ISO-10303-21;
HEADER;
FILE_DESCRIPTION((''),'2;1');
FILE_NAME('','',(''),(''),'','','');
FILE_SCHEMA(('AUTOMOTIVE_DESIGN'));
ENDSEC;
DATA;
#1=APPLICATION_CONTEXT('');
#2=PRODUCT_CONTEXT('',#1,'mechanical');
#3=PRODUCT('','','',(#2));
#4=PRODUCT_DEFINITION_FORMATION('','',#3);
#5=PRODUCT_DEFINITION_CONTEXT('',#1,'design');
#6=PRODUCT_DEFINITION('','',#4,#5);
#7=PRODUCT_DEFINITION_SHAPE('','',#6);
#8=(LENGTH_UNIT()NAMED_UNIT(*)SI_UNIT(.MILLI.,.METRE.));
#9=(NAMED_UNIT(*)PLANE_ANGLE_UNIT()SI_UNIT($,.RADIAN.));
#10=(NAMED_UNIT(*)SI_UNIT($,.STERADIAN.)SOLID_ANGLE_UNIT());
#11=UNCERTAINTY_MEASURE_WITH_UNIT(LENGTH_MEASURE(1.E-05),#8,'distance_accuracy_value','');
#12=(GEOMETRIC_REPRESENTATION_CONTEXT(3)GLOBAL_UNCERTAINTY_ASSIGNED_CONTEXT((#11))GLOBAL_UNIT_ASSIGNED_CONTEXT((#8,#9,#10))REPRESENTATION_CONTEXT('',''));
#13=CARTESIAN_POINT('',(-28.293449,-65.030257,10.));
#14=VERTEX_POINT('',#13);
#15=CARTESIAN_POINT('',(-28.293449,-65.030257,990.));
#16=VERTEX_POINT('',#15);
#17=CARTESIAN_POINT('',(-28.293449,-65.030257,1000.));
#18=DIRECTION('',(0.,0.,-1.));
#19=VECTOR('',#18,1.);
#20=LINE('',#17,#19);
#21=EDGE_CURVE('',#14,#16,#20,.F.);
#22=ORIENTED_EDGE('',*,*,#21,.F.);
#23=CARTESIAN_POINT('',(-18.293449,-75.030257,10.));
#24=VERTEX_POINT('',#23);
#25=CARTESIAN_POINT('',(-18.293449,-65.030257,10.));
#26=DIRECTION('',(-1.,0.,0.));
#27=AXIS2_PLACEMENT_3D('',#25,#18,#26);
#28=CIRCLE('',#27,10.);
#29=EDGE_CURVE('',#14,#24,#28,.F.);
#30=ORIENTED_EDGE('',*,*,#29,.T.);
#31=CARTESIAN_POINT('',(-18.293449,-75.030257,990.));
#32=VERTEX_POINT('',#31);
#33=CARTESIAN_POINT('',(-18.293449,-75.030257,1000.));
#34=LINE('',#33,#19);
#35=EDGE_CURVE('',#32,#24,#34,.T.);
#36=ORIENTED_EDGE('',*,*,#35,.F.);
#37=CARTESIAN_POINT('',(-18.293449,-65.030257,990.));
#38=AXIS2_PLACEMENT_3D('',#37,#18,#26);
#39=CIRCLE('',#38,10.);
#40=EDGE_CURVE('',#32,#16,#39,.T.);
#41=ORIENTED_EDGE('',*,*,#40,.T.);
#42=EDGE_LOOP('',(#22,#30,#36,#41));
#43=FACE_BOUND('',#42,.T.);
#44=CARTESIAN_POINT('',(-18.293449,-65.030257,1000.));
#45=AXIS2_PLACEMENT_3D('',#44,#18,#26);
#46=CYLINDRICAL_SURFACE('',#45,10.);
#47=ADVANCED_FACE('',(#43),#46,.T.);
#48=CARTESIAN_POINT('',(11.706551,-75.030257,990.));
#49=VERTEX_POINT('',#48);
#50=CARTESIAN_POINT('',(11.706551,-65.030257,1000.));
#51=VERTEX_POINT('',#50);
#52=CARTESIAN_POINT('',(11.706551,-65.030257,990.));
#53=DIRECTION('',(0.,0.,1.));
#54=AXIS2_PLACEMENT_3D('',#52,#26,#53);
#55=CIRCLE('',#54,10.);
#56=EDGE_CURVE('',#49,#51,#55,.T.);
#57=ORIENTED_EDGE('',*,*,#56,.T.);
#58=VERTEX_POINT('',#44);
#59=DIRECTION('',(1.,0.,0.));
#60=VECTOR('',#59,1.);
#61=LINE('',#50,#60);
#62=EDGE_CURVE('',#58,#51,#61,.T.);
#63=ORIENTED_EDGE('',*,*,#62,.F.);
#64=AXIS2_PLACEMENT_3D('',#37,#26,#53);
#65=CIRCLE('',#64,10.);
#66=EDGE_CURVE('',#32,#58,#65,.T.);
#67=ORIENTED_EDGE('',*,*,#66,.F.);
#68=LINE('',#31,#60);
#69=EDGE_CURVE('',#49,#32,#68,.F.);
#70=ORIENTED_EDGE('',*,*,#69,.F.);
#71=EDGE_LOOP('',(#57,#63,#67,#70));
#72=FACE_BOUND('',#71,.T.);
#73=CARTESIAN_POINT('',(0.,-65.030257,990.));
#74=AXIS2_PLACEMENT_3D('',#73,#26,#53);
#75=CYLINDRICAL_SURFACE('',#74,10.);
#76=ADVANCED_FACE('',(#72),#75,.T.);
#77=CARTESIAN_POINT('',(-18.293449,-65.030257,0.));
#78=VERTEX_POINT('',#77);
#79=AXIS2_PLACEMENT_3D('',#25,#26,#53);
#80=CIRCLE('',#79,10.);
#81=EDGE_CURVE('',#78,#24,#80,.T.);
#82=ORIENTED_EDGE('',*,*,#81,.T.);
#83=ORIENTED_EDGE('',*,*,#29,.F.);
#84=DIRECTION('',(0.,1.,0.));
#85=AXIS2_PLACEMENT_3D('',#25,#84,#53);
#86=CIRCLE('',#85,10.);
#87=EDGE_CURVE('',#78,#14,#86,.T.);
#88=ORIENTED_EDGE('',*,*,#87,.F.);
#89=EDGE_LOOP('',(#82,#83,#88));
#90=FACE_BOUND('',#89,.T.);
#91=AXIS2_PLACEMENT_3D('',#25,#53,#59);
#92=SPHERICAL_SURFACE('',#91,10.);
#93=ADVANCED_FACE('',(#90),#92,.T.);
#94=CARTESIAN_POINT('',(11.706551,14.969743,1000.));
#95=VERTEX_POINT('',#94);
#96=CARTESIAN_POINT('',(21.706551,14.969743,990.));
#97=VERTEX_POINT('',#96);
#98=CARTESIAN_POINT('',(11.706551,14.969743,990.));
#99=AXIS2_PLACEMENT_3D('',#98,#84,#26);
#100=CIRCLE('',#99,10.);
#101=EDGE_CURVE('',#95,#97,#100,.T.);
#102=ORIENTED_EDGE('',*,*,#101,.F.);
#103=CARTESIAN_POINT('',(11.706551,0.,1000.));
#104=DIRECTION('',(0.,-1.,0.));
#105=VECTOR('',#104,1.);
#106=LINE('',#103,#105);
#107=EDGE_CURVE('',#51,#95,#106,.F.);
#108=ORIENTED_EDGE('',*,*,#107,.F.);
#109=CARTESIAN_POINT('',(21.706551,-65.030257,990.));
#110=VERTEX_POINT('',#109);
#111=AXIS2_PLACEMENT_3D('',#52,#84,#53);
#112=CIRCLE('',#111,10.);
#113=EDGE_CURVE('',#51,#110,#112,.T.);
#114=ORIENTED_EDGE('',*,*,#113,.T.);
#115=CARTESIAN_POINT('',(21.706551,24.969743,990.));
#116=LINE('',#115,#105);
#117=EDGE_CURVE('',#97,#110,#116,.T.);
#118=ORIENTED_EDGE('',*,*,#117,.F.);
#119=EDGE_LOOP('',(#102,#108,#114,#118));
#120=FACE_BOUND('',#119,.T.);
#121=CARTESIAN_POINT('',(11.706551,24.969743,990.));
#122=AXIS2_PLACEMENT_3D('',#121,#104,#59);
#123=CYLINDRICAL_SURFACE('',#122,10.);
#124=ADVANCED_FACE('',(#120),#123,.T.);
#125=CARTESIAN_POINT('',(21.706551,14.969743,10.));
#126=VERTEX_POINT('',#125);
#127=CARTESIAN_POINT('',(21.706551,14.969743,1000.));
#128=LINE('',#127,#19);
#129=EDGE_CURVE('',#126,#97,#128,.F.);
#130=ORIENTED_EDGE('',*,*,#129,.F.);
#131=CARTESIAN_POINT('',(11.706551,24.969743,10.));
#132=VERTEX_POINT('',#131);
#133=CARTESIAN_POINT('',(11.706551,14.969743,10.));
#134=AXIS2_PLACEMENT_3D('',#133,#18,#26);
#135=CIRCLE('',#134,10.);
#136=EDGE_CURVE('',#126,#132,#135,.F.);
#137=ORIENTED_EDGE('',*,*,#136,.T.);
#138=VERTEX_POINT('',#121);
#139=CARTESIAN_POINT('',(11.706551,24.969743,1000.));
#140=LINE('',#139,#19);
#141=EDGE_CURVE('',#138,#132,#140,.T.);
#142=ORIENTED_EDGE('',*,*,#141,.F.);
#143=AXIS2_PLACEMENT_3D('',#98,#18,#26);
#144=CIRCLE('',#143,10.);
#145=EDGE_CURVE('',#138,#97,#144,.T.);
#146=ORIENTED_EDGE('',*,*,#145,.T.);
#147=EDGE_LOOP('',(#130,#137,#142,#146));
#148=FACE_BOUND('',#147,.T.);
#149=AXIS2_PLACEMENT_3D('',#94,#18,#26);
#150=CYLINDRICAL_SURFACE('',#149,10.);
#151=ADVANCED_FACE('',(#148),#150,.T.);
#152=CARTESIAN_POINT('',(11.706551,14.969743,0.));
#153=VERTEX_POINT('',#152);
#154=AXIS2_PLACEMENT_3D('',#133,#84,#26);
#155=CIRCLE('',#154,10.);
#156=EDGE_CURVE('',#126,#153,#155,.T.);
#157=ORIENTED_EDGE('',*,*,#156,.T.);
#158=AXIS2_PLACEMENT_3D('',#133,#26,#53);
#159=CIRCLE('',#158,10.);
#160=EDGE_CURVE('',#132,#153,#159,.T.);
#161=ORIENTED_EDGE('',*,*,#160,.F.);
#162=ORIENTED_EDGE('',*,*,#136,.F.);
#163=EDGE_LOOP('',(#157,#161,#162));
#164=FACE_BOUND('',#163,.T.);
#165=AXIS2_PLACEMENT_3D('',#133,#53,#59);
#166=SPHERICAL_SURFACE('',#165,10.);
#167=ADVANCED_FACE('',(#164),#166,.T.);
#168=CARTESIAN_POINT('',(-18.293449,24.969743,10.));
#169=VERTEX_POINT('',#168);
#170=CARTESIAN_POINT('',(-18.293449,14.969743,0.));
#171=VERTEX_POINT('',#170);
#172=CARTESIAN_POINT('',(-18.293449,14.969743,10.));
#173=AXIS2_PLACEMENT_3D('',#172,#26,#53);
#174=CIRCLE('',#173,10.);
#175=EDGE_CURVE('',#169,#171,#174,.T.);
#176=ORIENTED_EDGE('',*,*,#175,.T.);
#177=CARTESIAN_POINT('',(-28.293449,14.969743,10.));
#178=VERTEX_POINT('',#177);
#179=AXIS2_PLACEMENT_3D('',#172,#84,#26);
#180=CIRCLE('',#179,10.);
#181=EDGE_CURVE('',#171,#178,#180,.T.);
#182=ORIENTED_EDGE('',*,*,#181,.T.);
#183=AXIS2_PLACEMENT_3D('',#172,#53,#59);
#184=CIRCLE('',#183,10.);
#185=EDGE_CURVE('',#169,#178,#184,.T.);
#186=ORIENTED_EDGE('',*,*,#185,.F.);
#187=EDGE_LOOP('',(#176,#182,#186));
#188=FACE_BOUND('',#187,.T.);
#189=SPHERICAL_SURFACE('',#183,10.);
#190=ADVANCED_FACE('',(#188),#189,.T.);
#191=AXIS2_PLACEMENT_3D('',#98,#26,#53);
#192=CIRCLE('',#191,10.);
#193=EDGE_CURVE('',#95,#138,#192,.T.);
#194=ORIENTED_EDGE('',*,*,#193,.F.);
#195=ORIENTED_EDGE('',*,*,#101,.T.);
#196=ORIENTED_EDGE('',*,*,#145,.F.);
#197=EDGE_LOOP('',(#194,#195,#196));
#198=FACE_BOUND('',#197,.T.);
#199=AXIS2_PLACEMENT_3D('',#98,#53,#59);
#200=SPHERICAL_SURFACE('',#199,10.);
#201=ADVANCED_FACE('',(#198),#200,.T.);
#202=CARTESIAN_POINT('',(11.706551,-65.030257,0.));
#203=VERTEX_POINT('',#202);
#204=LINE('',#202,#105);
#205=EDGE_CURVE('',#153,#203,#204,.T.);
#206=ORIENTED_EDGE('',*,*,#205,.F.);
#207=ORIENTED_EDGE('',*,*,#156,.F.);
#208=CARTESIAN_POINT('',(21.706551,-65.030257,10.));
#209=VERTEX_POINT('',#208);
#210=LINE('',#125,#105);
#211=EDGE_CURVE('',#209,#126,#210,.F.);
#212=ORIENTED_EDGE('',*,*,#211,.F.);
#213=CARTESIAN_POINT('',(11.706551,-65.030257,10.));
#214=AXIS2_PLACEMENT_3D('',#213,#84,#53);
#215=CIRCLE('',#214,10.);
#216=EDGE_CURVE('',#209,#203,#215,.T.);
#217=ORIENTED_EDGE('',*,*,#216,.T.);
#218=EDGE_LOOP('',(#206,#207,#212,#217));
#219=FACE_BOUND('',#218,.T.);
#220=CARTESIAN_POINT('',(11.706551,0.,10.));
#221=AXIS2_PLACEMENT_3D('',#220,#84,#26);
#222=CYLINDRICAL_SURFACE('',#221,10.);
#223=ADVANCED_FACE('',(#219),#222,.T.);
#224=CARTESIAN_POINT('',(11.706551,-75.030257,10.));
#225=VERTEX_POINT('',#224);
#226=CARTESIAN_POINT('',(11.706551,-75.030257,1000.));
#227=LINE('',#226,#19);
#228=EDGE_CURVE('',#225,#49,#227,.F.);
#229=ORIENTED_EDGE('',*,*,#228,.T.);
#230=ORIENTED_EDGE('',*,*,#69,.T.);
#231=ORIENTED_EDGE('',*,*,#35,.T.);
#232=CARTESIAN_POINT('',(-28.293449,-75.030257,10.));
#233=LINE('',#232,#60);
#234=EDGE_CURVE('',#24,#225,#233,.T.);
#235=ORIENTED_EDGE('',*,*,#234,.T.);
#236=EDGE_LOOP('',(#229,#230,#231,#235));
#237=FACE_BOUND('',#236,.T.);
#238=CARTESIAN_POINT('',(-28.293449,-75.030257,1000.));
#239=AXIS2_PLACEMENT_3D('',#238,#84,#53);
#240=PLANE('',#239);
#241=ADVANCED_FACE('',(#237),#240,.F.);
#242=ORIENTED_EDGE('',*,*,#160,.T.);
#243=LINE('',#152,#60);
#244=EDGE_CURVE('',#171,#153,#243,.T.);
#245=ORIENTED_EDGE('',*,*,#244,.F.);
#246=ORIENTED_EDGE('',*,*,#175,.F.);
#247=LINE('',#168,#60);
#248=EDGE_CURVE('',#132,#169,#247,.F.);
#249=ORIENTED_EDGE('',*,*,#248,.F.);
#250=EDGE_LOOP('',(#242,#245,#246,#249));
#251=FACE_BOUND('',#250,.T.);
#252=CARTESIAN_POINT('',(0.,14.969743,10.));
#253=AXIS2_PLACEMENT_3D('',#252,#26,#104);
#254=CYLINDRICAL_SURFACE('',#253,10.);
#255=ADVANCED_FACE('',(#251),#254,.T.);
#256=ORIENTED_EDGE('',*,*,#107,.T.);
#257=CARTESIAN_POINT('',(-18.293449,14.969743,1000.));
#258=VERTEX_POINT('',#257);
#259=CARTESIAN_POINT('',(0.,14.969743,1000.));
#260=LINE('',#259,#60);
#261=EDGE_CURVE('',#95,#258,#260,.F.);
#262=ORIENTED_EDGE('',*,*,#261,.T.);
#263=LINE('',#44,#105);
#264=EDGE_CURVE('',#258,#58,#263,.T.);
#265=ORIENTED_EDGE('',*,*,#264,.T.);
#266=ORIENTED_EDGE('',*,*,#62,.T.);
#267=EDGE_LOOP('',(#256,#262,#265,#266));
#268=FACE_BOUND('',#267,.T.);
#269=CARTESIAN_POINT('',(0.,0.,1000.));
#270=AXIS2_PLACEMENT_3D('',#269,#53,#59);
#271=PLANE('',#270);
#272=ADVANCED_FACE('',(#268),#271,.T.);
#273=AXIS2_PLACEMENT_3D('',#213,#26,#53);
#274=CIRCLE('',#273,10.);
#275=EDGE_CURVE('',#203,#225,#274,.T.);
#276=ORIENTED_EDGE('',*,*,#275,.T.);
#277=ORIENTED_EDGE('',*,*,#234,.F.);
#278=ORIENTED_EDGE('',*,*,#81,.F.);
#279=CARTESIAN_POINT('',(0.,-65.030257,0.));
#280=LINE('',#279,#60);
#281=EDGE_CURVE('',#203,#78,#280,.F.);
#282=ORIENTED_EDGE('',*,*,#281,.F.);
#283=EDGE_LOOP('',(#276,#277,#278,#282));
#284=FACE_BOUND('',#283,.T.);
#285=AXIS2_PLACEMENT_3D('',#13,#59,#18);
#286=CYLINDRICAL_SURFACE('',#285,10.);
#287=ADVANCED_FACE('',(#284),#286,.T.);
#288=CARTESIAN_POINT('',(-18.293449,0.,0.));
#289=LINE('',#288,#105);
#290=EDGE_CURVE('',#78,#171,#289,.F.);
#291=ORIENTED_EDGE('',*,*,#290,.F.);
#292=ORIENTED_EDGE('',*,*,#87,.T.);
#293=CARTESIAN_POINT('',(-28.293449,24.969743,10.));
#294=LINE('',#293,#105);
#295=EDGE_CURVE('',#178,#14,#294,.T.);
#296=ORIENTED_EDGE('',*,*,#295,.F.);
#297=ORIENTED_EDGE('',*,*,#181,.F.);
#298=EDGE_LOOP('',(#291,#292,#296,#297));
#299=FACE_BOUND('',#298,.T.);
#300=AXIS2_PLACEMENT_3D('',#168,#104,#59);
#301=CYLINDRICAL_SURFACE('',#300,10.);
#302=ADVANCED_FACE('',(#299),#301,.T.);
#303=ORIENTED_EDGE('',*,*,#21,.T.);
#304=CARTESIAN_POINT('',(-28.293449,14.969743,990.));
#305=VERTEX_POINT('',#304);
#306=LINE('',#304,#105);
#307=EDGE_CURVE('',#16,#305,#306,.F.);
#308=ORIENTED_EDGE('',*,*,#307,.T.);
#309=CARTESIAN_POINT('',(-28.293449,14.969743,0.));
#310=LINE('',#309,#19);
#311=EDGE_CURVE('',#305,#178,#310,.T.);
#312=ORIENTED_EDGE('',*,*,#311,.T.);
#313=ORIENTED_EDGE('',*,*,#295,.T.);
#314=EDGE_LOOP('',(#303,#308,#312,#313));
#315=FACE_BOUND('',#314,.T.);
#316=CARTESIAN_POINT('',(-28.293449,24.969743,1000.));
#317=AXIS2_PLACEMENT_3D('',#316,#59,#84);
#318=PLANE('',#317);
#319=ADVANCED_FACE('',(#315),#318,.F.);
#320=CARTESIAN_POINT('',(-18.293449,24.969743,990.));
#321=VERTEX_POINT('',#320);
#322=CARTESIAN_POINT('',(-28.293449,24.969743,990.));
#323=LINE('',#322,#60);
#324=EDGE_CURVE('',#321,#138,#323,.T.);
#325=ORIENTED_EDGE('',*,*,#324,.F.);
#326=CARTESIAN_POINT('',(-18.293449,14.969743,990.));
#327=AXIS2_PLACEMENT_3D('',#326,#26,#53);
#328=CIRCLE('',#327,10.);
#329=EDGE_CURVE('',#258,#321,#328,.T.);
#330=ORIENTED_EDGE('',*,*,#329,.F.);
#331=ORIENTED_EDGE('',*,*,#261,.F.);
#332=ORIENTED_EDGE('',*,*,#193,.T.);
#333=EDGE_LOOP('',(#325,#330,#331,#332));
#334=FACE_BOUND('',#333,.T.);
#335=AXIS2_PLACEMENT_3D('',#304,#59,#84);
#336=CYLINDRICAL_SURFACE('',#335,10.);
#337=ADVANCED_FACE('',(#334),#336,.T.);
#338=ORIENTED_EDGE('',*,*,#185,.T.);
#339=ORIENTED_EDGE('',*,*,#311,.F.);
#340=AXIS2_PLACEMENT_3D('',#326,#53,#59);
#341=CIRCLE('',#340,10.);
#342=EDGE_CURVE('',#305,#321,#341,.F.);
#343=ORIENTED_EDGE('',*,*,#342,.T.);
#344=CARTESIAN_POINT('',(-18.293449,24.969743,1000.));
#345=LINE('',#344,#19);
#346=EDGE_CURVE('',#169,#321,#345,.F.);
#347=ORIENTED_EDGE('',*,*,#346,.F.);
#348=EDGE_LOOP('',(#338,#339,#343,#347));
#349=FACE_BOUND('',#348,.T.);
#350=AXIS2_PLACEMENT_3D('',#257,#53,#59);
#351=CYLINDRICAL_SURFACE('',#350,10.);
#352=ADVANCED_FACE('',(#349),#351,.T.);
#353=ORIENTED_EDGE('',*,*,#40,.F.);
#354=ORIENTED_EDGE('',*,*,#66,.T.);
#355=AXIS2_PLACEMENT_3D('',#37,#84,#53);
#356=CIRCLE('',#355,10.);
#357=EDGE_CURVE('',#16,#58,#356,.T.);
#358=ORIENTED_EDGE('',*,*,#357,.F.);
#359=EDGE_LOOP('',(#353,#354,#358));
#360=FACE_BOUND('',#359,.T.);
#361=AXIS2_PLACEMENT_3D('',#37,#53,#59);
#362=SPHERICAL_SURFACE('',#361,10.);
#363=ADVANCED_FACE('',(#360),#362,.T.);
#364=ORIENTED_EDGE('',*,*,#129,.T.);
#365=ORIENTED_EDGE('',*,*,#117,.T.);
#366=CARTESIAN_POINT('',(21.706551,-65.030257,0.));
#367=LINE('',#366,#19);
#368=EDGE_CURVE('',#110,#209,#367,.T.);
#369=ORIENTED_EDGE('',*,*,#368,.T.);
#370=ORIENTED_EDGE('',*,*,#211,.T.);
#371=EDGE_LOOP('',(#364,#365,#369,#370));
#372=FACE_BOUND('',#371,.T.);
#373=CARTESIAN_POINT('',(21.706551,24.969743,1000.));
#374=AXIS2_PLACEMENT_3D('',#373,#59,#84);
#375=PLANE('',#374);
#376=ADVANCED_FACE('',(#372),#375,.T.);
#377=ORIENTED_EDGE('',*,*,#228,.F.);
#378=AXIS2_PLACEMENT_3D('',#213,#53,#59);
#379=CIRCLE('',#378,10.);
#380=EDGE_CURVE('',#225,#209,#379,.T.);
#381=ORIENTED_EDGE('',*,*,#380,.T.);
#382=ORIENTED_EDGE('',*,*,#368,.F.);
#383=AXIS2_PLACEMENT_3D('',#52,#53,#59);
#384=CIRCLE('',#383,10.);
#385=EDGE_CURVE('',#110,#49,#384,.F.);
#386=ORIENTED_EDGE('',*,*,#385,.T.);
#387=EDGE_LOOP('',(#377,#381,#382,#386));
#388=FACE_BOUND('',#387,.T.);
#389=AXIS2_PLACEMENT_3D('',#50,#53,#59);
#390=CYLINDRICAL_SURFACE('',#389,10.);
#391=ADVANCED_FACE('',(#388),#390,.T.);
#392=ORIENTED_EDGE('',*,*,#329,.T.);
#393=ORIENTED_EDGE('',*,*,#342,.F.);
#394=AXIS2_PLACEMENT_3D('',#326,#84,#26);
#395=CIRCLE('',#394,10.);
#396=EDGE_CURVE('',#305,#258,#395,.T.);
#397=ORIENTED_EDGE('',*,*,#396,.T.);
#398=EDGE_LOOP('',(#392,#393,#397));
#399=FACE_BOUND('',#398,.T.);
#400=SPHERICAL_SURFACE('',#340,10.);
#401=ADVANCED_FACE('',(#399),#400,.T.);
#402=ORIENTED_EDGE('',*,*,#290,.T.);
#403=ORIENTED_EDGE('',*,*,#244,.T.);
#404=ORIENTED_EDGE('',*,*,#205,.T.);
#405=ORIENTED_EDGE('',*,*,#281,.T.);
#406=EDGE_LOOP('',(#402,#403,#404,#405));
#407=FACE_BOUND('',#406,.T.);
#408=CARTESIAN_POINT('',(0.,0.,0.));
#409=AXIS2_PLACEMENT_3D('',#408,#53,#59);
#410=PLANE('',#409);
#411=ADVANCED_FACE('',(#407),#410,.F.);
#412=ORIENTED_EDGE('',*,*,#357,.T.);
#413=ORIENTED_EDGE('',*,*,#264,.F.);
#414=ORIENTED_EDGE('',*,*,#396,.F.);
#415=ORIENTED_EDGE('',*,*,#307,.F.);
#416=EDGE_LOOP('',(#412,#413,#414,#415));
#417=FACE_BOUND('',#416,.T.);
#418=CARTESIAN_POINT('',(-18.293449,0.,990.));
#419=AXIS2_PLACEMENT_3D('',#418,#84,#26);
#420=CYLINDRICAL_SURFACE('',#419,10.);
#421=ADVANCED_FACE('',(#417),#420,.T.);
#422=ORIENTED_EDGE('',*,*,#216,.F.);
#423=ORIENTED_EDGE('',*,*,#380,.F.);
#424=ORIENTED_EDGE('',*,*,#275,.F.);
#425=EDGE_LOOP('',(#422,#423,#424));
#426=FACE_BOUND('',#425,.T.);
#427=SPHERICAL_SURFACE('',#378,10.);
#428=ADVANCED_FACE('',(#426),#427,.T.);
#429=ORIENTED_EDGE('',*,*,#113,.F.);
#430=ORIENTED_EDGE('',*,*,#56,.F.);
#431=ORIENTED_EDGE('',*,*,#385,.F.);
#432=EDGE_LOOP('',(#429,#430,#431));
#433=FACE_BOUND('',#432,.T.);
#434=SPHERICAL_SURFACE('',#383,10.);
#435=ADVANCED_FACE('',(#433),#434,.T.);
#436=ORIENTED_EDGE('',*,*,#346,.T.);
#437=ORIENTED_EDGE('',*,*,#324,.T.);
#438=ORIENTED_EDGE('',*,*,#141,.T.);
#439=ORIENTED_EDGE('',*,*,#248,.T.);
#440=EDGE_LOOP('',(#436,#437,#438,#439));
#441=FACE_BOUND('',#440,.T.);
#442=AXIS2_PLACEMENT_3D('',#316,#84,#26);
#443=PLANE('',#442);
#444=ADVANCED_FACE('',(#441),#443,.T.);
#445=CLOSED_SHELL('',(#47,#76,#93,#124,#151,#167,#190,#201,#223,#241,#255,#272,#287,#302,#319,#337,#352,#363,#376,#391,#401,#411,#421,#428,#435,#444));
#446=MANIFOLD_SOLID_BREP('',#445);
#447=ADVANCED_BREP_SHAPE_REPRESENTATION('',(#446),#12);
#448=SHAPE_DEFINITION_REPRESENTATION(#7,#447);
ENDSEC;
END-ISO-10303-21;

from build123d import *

# Parameters (mm, degrees)
ESQUISSE1_W        = 50
ESQUISSE1_H        = 100
BOSS_EXTRU_1_DEPTH = 1000
CONG_1_R           = 10
CONG_2_R           = 10


with BuildPart() as part:
    # Esquisse1 → Boss.-Extru.1 (new body)
    with BuildSketch(Plane.XY):
        with Locations((-3.29344948, -25.030257009)):
            Rectangle(ESQUISSE1_W, ESQUISSE1_H)
    extrude(amount=BOSS_EXTRU_1_DEPTH)

    # Congé1
    cong_1_edges = [part.edges().sort_by_distance(p)[0] for p in [
        (-28.29344948, 24.969742991, 500),
        (21.70655052, 24.969742991, 500),
        (21.70655052, -75.030257009, 500),
        (-28.29344948, -75.030257009, 500),
    ]]
    fillet(cong_1_edges, radius=CONG_1_R)

    # Congé2
    cong_2_edges = [part.edges().sort_by_distance(p)[0] for p in [
        (-3.29344948, 24.969742991, 0),
        (-3.29344948, 24.969742991, 1000),
        (-28.29344948, -25.030257009, 0),
        (21.70655052, -25.030257009, 0),
        (-3.29344948, -75.030257009, 0),
        (-25.364517292, -72.101324821, 0),
        (18.777618331, -72.101324821, 0),
        (-25.364517292, 22.040810803, 0),
        (18.777618331, 22.040810803, 0),
        (21.70655052, -25.030257009, 1000),
        (-28.29344948, -25.030257009, 1000),
        (-3.29344948, -75.030257009, 1000),
        (-25.364517292, -72.101324821, 1000),
        (18.777618331, -72.101324821, 1000),
        (-25.364517292, 22.040810803, 1000),
        (18.777618331, 22.040810803, 1000),
    ]]
    fillet(cong_2_edges, radius=CONG_2_R)


solid = part.part
